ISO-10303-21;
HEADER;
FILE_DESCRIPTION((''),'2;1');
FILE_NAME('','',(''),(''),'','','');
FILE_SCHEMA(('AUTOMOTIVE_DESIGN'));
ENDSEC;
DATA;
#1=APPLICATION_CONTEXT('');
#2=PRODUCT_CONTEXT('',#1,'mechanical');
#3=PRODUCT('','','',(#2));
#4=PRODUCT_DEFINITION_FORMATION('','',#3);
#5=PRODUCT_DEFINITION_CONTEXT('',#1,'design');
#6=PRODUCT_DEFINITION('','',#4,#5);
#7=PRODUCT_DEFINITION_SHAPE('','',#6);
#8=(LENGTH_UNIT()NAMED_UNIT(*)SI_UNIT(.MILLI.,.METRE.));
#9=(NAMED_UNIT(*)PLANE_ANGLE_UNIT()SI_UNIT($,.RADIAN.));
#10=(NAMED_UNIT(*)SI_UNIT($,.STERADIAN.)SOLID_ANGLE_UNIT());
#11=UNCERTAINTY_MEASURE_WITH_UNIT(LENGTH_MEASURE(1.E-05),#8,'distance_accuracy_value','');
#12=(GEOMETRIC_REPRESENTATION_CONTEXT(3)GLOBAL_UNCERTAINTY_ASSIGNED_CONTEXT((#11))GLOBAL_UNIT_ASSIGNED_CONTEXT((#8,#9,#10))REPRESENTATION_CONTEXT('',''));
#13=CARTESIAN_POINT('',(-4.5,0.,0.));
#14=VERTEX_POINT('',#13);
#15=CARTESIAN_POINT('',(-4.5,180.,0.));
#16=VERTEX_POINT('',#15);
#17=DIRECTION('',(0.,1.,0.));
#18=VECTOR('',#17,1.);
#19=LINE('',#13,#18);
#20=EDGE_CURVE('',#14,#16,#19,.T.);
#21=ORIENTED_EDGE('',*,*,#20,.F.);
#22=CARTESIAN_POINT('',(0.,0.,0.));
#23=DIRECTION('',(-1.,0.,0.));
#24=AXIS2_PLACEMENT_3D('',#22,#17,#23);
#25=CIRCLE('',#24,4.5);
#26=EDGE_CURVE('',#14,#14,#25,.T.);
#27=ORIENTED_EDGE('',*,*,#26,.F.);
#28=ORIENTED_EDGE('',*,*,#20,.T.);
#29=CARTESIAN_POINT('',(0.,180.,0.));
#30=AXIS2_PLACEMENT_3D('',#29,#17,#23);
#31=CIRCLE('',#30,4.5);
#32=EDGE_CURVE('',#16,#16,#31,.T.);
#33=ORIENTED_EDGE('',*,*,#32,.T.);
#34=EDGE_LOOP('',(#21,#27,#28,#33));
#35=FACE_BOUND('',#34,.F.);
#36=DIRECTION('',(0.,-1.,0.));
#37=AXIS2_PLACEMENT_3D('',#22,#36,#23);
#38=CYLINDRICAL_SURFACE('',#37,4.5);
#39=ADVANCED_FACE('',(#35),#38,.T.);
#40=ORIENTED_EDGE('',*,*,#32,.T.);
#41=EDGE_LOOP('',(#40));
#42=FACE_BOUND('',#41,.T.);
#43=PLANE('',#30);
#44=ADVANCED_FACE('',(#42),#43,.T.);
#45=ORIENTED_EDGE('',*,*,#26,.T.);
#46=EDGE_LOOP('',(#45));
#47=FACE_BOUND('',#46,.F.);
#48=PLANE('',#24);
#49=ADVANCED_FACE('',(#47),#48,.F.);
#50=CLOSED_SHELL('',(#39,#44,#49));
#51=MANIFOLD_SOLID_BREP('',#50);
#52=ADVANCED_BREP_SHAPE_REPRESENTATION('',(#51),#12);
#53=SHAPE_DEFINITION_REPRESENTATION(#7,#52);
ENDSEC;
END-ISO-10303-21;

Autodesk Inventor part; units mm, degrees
ref_plane "YZ Plane" through (0, 0, 0) normal (1, 0, 0) x (0, 1, 0)
ref_plane "XZ Plane" through (0, 0, 0) normal (0, 1, 0) x (-1, 0, 0)
ref_plane "XY Plane" through (0, 0, 0) normal (0, 0, 1) x (1, 0, 0)
sketch "Sketch1" plane through (0, 0, 0) normal (0, 1, 0) x (-1, 0, 0)
  circle A0 centre (0, 0) radius 4.5
  dimension "d0" = 9
extrude "Extrusion1" add sketch "Sketch1" along normal blind 180
thread "Thread1" size "M9x1.25" class "6g" standard "ANSI Metric M Profile" full length
properties part number "Tij" material "Stainless Steel AISI 440C, Welded"
